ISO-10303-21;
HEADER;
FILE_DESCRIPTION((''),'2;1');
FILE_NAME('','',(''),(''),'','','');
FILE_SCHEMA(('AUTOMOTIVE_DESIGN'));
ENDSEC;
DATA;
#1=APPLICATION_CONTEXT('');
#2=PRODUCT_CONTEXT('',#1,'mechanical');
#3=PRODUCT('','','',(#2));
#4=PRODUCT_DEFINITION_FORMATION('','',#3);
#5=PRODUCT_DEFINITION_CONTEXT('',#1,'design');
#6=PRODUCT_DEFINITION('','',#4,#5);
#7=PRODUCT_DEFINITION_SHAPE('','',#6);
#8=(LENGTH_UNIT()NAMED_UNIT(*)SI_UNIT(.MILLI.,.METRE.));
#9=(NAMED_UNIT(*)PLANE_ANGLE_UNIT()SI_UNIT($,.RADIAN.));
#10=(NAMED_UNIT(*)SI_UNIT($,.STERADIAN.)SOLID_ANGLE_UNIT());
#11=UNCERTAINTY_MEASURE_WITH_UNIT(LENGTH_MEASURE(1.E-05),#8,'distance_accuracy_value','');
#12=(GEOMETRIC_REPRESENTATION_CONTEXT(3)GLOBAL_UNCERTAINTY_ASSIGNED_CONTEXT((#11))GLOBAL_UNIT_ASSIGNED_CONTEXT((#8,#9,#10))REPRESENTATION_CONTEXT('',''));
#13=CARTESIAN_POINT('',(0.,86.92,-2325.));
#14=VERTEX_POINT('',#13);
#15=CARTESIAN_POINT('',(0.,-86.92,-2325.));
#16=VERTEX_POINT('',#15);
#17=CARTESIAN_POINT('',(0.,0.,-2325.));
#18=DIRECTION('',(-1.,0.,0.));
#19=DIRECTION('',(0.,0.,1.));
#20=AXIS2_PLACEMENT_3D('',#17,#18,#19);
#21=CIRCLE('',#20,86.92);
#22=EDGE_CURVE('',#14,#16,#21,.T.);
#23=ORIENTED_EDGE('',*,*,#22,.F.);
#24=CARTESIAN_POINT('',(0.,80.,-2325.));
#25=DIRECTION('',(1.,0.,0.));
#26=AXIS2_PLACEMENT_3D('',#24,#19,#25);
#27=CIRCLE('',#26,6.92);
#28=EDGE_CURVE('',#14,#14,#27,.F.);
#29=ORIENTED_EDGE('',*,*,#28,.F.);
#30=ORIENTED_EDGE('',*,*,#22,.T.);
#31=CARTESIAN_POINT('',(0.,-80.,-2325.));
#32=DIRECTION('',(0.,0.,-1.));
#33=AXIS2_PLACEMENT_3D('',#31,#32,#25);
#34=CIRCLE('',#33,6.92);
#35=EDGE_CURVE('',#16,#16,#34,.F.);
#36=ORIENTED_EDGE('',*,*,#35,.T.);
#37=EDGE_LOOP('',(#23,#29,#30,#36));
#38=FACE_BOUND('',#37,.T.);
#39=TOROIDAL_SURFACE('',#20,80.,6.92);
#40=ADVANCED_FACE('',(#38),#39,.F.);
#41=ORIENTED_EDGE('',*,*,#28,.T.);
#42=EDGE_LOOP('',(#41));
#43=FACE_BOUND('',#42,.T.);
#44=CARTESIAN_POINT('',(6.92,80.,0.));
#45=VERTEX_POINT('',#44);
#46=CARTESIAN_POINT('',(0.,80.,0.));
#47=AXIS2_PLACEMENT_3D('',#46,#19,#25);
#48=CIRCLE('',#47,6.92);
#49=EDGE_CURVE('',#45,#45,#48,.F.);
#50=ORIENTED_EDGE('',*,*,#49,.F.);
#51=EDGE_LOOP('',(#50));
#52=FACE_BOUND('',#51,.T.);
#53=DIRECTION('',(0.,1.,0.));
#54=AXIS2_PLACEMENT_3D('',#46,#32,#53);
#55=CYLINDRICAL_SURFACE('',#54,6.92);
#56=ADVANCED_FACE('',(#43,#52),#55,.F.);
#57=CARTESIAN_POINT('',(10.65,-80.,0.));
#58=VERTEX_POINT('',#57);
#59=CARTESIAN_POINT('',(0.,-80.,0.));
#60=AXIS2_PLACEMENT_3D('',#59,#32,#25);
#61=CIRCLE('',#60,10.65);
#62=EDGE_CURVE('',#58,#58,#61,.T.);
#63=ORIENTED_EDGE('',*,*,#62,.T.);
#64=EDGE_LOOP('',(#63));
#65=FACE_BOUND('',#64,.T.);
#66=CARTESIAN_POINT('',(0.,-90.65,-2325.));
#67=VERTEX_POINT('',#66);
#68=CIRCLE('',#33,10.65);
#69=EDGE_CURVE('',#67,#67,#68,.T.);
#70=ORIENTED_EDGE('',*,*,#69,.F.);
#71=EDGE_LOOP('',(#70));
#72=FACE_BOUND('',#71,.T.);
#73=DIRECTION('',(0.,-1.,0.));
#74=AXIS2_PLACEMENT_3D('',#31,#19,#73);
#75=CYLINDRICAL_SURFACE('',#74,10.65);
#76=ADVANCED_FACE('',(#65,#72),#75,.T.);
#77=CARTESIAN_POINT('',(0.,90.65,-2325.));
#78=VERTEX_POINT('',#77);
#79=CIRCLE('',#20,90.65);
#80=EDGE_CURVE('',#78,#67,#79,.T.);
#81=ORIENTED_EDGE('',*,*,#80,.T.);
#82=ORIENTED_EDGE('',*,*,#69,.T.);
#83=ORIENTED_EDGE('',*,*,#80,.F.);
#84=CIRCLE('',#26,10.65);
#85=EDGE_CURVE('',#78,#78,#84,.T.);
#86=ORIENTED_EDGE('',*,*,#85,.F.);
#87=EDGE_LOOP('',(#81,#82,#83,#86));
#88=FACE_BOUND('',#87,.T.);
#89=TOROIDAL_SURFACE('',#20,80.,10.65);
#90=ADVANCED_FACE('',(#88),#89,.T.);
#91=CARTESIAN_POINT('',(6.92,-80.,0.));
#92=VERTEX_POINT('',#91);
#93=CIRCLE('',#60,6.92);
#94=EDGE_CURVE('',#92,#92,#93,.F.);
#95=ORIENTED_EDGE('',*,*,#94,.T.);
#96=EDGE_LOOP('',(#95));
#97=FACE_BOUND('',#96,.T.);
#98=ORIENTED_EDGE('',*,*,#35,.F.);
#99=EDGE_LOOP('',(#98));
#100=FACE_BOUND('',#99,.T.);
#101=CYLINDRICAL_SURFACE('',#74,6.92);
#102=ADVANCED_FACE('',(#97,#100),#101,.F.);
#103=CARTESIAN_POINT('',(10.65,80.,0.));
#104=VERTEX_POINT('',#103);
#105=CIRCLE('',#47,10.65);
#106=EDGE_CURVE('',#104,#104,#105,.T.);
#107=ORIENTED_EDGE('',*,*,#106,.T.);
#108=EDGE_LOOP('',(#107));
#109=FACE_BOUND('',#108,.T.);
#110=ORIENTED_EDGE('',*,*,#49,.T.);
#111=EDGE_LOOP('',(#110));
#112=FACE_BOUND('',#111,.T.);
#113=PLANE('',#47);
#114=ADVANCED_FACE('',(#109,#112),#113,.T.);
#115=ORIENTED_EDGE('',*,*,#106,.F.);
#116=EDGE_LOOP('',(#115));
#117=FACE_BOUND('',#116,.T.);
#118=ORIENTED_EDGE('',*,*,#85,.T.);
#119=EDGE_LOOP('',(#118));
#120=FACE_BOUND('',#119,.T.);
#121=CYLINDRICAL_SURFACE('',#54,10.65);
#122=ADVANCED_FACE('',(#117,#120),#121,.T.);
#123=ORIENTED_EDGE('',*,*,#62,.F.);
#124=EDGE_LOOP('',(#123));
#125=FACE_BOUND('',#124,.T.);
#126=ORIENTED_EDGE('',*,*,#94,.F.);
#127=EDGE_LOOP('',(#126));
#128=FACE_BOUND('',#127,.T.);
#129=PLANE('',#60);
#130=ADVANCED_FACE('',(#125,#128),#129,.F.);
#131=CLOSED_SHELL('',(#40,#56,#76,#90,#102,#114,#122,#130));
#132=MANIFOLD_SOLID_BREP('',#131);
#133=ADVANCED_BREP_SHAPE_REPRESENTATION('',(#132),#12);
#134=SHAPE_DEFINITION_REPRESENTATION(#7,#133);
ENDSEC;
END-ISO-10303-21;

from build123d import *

# Parameters (mm, degrees)
SKETCH2_R   = 10.65
SKETCH2_R_2 = 6.92


with BuildPart() as part:
    # Sweep1: sweep along a path in Sketch1
    with BuildLine(Plane(origin=(0, 0, 0), x_dir=(0, 0, -1), z_dir=(1, 0, 0))) as sweep1_path:
        Line((0, 80), (2325, 80))
        ThreePointArc((2325, 80), (2405, 0), (2325, -80))
        Line((2325, -80), (0, -80))
    # Sketch2 → Sweep1 (sweep)
    with BuildSketch(Plane.XY):
        with Locations((0, 80)):
            Circle(SKETCH2_R)
        with Locations((0, 80)):
            Circle(SKETCH2_R_2, mode=Mode.SUBTRACT)
    sweep(path=sweep1_path.line)


solid = part.part
